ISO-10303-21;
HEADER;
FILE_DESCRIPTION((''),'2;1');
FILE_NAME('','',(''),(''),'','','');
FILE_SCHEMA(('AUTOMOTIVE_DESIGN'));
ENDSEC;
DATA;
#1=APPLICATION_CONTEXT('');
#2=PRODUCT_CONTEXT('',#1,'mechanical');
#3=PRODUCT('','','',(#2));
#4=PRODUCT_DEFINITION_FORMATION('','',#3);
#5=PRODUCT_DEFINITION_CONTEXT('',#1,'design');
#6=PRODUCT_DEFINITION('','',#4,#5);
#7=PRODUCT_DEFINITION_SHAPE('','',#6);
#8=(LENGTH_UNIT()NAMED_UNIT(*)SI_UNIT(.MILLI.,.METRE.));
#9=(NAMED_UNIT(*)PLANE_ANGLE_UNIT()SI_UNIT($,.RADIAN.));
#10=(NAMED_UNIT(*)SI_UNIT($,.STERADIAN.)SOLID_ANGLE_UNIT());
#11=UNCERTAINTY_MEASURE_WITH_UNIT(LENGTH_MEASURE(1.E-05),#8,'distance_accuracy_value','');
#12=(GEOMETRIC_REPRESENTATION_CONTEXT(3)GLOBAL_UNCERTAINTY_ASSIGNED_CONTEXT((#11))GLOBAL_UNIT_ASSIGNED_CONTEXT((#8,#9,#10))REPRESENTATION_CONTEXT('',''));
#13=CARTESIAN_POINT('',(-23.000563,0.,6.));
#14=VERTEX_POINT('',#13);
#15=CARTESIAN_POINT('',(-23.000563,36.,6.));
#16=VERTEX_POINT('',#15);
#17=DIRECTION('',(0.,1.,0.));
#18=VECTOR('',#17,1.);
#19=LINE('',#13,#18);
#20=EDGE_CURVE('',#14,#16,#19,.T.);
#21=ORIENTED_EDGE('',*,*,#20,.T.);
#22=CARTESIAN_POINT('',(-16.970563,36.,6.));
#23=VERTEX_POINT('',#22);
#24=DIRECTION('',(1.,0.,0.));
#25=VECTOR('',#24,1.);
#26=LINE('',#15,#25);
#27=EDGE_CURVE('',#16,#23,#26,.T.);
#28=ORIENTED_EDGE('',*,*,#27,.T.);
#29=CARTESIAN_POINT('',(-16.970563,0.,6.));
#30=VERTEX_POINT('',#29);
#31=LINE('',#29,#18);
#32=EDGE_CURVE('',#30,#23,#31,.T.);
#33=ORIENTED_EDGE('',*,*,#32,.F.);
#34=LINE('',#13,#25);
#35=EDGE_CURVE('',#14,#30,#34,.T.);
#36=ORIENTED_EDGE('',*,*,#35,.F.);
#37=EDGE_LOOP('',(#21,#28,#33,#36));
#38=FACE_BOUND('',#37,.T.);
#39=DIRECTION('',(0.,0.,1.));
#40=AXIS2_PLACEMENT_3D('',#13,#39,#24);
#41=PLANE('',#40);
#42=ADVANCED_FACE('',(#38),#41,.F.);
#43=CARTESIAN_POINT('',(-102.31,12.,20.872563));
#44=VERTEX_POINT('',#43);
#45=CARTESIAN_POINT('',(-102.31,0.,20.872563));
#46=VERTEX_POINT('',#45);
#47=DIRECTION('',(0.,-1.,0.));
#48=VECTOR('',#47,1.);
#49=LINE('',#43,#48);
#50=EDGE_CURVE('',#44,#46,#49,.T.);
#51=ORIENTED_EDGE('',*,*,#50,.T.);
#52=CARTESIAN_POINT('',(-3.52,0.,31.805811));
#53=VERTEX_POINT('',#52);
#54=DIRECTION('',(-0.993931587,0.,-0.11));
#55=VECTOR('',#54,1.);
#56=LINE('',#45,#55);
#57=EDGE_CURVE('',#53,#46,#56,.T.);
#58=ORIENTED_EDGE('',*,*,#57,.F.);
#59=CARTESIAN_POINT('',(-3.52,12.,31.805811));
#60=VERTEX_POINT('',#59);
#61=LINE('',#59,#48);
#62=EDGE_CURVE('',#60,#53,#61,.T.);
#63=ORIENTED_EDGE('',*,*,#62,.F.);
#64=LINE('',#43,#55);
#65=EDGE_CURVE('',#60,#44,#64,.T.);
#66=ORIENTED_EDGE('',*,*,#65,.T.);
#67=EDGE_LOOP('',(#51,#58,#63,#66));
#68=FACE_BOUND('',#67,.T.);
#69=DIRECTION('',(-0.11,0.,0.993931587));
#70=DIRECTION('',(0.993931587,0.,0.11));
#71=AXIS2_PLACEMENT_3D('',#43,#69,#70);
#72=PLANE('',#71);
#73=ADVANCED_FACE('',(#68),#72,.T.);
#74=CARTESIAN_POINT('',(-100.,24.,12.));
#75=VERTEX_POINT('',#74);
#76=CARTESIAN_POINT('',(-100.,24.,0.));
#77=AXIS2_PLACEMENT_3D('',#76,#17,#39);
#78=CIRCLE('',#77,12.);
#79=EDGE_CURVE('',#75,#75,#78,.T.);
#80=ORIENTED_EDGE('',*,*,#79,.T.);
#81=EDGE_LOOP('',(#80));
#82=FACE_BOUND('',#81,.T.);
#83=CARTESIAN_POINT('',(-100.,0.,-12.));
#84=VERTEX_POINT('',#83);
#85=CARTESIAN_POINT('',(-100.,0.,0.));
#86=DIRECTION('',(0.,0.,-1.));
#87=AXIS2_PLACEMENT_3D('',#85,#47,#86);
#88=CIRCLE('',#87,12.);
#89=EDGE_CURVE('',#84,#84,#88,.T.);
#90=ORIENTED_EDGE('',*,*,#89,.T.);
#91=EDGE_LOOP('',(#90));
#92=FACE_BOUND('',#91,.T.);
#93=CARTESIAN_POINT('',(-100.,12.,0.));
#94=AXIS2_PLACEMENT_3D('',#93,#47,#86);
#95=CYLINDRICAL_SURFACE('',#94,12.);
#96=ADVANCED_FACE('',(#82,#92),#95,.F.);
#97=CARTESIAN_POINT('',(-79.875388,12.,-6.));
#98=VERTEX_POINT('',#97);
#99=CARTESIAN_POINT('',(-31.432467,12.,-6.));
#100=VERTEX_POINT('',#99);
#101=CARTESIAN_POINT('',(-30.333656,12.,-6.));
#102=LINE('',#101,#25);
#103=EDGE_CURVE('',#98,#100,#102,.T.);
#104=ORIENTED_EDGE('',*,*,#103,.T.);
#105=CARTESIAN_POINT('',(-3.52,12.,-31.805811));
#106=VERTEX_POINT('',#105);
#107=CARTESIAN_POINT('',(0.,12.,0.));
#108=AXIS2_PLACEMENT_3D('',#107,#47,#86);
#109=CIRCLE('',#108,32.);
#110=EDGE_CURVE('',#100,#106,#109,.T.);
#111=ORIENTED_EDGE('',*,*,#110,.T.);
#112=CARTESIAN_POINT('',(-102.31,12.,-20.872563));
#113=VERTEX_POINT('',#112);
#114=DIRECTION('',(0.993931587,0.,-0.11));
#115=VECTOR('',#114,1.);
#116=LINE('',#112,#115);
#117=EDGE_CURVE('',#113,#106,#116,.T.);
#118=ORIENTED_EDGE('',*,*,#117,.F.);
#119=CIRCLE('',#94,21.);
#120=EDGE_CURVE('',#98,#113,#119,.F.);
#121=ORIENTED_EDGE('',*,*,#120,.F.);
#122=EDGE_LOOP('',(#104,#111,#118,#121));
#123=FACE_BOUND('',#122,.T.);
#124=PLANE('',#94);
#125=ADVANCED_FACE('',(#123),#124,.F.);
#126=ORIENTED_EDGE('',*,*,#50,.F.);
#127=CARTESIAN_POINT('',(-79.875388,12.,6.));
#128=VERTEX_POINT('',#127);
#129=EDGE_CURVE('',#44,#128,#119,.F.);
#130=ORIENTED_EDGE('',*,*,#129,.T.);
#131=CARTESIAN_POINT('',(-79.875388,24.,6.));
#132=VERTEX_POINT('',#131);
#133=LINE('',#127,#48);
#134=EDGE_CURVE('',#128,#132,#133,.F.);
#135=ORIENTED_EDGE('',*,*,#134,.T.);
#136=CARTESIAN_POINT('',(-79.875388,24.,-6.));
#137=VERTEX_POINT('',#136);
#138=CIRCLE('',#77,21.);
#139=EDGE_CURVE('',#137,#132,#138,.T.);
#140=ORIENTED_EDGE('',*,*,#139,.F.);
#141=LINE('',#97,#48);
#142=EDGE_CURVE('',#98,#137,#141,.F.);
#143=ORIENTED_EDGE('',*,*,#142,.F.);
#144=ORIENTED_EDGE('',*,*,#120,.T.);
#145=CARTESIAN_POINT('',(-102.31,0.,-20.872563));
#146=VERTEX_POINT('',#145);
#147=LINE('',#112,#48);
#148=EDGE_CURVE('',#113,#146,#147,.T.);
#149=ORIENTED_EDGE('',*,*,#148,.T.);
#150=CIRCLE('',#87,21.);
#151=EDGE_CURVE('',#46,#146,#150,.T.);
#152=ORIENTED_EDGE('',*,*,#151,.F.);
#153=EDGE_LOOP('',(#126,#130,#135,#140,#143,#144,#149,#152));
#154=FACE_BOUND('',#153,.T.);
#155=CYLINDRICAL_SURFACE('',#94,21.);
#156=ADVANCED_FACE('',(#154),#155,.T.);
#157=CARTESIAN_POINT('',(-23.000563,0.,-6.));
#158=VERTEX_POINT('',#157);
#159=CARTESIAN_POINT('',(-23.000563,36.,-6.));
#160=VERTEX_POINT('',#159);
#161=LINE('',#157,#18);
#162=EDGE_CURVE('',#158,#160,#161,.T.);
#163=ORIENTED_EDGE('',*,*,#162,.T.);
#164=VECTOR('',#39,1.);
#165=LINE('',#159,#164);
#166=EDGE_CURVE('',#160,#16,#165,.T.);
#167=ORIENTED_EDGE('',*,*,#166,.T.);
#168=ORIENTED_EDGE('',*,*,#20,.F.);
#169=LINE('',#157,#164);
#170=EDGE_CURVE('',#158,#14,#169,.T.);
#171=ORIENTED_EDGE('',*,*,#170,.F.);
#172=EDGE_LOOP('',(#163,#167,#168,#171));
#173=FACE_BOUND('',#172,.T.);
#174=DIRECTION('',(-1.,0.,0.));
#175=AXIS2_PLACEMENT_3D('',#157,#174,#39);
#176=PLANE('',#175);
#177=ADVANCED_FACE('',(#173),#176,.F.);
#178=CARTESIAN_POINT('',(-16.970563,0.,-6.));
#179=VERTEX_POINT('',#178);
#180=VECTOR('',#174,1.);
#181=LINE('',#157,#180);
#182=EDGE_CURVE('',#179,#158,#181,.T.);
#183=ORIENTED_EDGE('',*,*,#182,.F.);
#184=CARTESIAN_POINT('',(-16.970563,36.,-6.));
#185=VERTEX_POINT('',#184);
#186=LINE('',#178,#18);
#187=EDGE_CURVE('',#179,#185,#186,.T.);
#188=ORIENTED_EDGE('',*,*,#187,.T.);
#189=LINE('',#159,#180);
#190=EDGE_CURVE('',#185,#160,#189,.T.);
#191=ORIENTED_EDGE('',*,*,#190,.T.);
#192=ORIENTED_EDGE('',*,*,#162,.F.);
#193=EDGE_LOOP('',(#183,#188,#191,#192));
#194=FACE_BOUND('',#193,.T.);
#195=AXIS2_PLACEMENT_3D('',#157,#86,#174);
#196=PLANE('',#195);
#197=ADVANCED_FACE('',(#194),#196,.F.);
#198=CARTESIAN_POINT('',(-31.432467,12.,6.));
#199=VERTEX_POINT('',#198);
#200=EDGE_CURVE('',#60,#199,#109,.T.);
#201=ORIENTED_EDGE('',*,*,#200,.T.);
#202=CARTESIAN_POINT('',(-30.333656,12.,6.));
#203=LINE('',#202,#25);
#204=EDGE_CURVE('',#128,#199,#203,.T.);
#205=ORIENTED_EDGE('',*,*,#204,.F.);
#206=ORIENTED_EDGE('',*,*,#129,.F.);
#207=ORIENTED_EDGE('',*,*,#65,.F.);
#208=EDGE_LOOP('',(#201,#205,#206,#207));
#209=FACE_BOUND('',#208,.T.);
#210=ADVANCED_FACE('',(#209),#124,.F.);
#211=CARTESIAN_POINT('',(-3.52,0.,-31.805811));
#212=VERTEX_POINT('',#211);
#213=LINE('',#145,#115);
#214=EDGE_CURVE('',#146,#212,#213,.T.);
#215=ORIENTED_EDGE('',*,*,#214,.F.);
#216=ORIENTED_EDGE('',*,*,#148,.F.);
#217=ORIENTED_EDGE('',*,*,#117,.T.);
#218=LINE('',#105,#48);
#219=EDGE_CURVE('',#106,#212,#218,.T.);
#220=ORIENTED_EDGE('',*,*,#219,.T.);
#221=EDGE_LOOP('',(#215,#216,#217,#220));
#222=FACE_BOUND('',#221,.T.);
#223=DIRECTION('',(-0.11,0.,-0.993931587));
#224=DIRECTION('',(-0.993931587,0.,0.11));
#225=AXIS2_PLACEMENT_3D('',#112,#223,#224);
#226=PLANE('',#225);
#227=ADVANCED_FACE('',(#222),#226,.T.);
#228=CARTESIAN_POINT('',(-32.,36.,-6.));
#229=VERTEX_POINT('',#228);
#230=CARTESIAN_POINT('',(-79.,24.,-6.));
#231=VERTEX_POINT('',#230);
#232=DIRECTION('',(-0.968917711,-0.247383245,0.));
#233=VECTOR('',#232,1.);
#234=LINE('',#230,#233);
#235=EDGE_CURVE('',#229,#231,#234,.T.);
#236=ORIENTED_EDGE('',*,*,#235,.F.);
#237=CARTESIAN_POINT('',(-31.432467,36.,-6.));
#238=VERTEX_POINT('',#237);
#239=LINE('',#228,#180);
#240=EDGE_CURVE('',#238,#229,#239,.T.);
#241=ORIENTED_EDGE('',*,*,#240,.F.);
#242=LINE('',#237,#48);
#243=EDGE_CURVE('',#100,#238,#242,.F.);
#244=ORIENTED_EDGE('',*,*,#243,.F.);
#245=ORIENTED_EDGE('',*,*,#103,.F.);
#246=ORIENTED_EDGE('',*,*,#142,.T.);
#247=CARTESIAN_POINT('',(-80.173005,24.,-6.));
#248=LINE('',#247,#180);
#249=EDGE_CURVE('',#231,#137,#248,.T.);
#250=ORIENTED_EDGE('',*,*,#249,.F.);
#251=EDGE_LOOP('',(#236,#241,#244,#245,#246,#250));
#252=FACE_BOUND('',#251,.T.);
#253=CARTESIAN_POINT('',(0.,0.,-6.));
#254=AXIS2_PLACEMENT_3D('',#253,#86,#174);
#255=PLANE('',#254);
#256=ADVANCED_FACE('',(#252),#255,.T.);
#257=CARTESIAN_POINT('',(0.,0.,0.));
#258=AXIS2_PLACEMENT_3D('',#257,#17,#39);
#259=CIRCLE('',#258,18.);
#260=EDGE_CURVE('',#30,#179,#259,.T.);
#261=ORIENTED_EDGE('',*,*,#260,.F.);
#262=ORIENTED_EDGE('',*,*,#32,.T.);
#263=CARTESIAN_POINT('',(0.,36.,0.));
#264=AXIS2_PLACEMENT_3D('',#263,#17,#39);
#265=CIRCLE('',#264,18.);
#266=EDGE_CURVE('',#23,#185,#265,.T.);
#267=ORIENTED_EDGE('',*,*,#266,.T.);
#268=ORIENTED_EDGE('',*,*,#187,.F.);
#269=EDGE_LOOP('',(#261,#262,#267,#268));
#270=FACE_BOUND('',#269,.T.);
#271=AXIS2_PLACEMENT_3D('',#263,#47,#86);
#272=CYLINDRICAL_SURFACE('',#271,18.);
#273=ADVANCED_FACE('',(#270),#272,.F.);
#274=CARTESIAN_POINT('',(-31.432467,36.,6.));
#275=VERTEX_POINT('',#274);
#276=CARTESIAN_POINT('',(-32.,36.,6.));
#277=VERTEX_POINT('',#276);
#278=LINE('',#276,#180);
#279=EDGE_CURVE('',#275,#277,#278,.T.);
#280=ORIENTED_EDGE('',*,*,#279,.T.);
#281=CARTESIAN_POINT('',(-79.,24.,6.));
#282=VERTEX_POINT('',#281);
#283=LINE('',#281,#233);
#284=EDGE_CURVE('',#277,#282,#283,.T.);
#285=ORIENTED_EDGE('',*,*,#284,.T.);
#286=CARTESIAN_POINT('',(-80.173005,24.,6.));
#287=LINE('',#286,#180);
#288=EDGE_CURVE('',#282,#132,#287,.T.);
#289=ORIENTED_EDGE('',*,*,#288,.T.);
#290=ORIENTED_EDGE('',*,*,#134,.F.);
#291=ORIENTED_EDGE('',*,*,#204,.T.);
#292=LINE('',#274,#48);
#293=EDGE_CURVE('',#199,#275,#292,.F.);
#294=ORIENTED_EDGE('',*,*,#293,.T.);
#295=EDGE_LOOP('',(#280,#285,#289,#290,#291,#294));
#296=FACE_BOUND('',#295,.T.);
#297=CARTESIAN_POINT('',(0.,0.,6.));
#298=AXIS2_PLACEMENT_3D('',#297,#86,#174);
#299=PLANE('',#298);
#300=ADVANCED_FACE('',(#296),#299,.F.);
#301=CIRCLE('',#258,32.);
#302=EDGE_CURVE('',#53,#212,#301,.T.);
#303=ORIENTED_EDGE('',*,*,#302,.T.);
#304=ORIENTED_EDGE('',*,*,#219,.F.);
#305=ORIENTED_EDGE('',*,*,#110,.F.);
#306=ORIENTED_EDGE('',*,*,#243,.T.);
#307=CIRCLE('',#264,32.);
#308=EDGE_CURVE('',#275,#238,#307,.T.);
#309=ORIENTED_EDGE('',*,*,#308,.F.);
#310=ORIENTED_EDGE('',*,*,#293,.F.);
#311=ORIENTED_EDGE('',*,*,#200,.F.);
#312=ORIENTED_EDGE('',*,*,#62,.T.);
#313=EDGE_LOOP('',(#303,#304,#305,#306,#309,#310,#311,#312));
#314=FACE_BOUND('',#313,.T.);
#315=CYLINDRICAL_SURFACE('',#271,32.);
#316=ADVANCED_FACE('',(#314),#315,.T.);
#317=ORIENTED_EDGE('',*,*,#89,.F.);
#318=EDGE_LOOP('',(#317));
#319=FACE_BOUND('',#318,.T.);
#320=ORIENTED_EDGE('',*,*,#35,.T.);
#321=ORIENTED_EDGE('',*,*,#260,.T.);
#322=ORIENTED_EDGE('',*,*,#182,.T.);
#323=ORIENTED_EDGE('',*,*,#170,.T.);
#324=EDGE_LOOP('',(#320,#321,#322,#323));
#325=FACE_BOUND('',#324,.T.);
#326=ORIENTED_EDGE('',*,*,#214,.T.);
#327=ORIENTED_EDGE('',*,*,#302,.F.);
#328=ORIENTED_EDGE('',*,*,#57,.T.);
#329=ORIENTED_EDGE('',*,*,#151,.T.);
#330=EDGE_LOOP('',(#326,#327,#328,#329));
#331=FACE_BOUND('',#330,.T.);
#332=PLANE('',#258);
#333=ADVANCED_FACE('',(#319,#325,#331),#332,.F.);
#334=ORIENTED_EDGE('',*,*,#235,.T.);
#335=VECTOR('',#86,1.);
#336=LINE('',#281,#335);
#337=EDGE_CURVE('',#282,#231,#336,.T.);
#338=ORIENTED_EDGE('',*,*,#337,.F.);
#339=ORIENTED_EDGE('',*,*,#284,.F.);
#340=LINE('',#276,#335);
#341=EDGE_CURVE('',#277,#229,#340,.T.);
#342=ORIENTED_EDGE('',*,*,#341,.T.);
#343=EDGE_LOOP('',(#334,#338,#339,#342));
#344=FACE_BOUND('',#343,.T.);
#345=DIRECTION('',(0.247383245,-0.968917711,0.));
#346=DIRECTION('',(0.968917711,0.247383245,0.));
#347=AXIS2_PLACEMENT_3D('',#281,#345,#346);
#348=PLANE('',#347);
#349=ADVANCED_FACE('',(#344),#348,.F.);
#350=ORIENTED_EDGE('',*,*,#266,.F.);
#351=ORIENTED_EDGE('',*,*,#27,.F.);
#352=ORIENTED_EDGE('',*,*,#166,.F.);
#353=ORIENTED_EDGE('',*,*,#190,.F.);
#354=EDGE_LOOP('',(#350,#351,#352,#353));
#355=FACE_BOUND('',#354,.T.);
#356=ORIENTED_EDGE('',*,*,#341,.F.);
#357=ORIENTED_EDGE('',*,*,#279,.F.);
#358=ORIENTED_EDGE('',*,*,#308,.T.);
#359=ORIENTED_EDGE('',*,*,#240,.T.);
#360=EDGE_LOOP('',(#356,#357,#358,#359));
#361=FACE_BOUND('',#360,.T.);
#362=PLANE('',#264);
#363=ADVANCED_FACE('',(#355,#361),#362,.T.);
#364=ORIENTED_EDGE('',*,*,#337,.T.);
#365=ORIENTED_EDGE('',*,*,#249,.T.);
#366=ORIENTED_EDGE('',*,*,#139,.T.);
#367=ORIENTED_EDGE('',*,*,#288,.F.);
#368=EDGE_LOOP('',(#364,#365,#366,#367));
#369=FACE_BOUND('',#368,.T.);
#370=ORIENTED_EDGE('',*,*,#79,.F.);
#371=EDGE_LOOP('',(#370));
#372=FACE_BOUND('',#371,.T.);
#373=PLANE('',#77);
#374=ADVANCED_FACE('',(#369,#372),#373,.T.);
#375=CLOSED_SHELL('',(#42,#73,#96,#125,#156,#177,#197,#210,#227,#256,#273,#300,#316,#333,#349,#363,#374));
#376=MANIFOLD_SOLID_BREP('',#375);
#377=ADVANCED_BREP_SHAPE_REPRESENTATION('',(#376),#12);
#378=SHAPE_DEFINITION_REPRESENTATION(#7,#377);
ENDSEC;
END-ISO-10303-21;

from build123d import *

# Parameters (mm, degrees)
SKETCH1_R           = 32
SKETCH1_R_2         = 18
BOSS_EXTRUDE1_DEPTH = 36
SKETCH2_R           = 21
SKETCH2_R_2         = 12
BOSS_EXTRUDE2_DEPTH = 24
SKETCH3_R           = 18
SKETCH3_R_2         = 12
BOSS_EXTRUDE3_DEPTH = 12
CUT_EXTRUDE1_DEPTH  = 131.234404057
BOSS_EXTRUDE4_DEPTH = 6


with BuildPart() as part:
    # Sketch1 → Boss-Extrude1 (new body)
    with BuildSketch(Plane(origin=(0, 0, 0), x_dir=(1, 0, 0), z_dir=(0, 1, 0))):
        with Locations(Location((0, 0, 0), (0, 0, 270))):
            Circle(SKETCH1_R)
        with Locations(Location((0, 0, 0), (0, 0, 270))):
            Circle(SKETCH1_R_2, mode=Mode.SUBTRACT)
    extrude(amount=BOSS_EXTRUDE1_DEPTH)



with BuildPart() as body_2:
    # Sketch2 → Boss-Extrude2 (new body)
    with BuildSketch(Plane(origin=(0, 0, 0), x_dir=(1, 0, 0), z_dir=(0, 1, 0))):
        with Locations(Location((-100, 0, 0), (0, 0, 270))):
            Circle(SKETCH2_R)
        with Locations(Location((-100, 0, 0), (0, 0, 270))):
            Circle(SKETCH2_R_2, mode=Mode.SUBTRACT)
    extrude(amount=BOSS_EXTRUDE2_DEPTH)


with BuildPart() as part_1:
    add(part.part)

    add(body_2.part)  # Boss-Extrude3 merges body 2
    # Sketch3 → Boss-Extrude3 (add)
    with BuildSketch(Plane.XZ):
        with BuildLine():
            Line((-102.31, 20.872563331), (-3.52, 31.80581079))
            ThreePointArc((-3.52, 31.80581079), (32, 0), (-3.52, -31.80581079))
            Line((-3.52, -31.80581079), (-102.31, -20.872563331))
            ThreePointArc((-102.31, -20.872563331), (-121, 0), (-102.31, 20.872563331))
        make_face()
        with Locations(Location((0, 0, 0), (0, 0, 90))):
            Circle(SKETCH3_R, mode=Mode.SUBTRACT)
        with Locations(Location((-100, 0, 0), (0, 0, 270))):
            Circle(SKETCH3_R_2, mode=Mode.SUBTRACT)
    extrude(amount=-BOSS_EXTRUDE3_DEPTH)

    # Sketch4 → Cut-Extrude1 (cut, through all)
    with BuildSketch(Plane(origin=(0, 36, 0), x_dir=(1, 0, 0), z_dir=(0, 1, 0))):
        with BuildLine():
            Line((-23.000562748, 6), (-16.970562748, 6))
            ThreePointArc((-16.970562748, 6), (-18, 0), (-16.970562748, -6))
            Line((-16.970562748, -6), (-23.000562748, -6))
            Line((-23.000562748, -6), (-23.000562748, 6))
        make_face()
    extrude(amount=-CUT_EXTRUDE1_DEPTH, mode=Mode.SUBTRACT)

    # Sketch5 → Boss-Extrude4 (add, symmetric)
    with BuildSketch(Plane.XY):
        Polygon((-80.173004722, 12), (-80.173004722, 24), (-79, 24), (-32, 36), (-30.333655542, 36), (-30.333655542, 12), align=None)
    extrude(amount=BOSS_EXTRUDE4_DEPTH, both=True)


solid = part_1.part
